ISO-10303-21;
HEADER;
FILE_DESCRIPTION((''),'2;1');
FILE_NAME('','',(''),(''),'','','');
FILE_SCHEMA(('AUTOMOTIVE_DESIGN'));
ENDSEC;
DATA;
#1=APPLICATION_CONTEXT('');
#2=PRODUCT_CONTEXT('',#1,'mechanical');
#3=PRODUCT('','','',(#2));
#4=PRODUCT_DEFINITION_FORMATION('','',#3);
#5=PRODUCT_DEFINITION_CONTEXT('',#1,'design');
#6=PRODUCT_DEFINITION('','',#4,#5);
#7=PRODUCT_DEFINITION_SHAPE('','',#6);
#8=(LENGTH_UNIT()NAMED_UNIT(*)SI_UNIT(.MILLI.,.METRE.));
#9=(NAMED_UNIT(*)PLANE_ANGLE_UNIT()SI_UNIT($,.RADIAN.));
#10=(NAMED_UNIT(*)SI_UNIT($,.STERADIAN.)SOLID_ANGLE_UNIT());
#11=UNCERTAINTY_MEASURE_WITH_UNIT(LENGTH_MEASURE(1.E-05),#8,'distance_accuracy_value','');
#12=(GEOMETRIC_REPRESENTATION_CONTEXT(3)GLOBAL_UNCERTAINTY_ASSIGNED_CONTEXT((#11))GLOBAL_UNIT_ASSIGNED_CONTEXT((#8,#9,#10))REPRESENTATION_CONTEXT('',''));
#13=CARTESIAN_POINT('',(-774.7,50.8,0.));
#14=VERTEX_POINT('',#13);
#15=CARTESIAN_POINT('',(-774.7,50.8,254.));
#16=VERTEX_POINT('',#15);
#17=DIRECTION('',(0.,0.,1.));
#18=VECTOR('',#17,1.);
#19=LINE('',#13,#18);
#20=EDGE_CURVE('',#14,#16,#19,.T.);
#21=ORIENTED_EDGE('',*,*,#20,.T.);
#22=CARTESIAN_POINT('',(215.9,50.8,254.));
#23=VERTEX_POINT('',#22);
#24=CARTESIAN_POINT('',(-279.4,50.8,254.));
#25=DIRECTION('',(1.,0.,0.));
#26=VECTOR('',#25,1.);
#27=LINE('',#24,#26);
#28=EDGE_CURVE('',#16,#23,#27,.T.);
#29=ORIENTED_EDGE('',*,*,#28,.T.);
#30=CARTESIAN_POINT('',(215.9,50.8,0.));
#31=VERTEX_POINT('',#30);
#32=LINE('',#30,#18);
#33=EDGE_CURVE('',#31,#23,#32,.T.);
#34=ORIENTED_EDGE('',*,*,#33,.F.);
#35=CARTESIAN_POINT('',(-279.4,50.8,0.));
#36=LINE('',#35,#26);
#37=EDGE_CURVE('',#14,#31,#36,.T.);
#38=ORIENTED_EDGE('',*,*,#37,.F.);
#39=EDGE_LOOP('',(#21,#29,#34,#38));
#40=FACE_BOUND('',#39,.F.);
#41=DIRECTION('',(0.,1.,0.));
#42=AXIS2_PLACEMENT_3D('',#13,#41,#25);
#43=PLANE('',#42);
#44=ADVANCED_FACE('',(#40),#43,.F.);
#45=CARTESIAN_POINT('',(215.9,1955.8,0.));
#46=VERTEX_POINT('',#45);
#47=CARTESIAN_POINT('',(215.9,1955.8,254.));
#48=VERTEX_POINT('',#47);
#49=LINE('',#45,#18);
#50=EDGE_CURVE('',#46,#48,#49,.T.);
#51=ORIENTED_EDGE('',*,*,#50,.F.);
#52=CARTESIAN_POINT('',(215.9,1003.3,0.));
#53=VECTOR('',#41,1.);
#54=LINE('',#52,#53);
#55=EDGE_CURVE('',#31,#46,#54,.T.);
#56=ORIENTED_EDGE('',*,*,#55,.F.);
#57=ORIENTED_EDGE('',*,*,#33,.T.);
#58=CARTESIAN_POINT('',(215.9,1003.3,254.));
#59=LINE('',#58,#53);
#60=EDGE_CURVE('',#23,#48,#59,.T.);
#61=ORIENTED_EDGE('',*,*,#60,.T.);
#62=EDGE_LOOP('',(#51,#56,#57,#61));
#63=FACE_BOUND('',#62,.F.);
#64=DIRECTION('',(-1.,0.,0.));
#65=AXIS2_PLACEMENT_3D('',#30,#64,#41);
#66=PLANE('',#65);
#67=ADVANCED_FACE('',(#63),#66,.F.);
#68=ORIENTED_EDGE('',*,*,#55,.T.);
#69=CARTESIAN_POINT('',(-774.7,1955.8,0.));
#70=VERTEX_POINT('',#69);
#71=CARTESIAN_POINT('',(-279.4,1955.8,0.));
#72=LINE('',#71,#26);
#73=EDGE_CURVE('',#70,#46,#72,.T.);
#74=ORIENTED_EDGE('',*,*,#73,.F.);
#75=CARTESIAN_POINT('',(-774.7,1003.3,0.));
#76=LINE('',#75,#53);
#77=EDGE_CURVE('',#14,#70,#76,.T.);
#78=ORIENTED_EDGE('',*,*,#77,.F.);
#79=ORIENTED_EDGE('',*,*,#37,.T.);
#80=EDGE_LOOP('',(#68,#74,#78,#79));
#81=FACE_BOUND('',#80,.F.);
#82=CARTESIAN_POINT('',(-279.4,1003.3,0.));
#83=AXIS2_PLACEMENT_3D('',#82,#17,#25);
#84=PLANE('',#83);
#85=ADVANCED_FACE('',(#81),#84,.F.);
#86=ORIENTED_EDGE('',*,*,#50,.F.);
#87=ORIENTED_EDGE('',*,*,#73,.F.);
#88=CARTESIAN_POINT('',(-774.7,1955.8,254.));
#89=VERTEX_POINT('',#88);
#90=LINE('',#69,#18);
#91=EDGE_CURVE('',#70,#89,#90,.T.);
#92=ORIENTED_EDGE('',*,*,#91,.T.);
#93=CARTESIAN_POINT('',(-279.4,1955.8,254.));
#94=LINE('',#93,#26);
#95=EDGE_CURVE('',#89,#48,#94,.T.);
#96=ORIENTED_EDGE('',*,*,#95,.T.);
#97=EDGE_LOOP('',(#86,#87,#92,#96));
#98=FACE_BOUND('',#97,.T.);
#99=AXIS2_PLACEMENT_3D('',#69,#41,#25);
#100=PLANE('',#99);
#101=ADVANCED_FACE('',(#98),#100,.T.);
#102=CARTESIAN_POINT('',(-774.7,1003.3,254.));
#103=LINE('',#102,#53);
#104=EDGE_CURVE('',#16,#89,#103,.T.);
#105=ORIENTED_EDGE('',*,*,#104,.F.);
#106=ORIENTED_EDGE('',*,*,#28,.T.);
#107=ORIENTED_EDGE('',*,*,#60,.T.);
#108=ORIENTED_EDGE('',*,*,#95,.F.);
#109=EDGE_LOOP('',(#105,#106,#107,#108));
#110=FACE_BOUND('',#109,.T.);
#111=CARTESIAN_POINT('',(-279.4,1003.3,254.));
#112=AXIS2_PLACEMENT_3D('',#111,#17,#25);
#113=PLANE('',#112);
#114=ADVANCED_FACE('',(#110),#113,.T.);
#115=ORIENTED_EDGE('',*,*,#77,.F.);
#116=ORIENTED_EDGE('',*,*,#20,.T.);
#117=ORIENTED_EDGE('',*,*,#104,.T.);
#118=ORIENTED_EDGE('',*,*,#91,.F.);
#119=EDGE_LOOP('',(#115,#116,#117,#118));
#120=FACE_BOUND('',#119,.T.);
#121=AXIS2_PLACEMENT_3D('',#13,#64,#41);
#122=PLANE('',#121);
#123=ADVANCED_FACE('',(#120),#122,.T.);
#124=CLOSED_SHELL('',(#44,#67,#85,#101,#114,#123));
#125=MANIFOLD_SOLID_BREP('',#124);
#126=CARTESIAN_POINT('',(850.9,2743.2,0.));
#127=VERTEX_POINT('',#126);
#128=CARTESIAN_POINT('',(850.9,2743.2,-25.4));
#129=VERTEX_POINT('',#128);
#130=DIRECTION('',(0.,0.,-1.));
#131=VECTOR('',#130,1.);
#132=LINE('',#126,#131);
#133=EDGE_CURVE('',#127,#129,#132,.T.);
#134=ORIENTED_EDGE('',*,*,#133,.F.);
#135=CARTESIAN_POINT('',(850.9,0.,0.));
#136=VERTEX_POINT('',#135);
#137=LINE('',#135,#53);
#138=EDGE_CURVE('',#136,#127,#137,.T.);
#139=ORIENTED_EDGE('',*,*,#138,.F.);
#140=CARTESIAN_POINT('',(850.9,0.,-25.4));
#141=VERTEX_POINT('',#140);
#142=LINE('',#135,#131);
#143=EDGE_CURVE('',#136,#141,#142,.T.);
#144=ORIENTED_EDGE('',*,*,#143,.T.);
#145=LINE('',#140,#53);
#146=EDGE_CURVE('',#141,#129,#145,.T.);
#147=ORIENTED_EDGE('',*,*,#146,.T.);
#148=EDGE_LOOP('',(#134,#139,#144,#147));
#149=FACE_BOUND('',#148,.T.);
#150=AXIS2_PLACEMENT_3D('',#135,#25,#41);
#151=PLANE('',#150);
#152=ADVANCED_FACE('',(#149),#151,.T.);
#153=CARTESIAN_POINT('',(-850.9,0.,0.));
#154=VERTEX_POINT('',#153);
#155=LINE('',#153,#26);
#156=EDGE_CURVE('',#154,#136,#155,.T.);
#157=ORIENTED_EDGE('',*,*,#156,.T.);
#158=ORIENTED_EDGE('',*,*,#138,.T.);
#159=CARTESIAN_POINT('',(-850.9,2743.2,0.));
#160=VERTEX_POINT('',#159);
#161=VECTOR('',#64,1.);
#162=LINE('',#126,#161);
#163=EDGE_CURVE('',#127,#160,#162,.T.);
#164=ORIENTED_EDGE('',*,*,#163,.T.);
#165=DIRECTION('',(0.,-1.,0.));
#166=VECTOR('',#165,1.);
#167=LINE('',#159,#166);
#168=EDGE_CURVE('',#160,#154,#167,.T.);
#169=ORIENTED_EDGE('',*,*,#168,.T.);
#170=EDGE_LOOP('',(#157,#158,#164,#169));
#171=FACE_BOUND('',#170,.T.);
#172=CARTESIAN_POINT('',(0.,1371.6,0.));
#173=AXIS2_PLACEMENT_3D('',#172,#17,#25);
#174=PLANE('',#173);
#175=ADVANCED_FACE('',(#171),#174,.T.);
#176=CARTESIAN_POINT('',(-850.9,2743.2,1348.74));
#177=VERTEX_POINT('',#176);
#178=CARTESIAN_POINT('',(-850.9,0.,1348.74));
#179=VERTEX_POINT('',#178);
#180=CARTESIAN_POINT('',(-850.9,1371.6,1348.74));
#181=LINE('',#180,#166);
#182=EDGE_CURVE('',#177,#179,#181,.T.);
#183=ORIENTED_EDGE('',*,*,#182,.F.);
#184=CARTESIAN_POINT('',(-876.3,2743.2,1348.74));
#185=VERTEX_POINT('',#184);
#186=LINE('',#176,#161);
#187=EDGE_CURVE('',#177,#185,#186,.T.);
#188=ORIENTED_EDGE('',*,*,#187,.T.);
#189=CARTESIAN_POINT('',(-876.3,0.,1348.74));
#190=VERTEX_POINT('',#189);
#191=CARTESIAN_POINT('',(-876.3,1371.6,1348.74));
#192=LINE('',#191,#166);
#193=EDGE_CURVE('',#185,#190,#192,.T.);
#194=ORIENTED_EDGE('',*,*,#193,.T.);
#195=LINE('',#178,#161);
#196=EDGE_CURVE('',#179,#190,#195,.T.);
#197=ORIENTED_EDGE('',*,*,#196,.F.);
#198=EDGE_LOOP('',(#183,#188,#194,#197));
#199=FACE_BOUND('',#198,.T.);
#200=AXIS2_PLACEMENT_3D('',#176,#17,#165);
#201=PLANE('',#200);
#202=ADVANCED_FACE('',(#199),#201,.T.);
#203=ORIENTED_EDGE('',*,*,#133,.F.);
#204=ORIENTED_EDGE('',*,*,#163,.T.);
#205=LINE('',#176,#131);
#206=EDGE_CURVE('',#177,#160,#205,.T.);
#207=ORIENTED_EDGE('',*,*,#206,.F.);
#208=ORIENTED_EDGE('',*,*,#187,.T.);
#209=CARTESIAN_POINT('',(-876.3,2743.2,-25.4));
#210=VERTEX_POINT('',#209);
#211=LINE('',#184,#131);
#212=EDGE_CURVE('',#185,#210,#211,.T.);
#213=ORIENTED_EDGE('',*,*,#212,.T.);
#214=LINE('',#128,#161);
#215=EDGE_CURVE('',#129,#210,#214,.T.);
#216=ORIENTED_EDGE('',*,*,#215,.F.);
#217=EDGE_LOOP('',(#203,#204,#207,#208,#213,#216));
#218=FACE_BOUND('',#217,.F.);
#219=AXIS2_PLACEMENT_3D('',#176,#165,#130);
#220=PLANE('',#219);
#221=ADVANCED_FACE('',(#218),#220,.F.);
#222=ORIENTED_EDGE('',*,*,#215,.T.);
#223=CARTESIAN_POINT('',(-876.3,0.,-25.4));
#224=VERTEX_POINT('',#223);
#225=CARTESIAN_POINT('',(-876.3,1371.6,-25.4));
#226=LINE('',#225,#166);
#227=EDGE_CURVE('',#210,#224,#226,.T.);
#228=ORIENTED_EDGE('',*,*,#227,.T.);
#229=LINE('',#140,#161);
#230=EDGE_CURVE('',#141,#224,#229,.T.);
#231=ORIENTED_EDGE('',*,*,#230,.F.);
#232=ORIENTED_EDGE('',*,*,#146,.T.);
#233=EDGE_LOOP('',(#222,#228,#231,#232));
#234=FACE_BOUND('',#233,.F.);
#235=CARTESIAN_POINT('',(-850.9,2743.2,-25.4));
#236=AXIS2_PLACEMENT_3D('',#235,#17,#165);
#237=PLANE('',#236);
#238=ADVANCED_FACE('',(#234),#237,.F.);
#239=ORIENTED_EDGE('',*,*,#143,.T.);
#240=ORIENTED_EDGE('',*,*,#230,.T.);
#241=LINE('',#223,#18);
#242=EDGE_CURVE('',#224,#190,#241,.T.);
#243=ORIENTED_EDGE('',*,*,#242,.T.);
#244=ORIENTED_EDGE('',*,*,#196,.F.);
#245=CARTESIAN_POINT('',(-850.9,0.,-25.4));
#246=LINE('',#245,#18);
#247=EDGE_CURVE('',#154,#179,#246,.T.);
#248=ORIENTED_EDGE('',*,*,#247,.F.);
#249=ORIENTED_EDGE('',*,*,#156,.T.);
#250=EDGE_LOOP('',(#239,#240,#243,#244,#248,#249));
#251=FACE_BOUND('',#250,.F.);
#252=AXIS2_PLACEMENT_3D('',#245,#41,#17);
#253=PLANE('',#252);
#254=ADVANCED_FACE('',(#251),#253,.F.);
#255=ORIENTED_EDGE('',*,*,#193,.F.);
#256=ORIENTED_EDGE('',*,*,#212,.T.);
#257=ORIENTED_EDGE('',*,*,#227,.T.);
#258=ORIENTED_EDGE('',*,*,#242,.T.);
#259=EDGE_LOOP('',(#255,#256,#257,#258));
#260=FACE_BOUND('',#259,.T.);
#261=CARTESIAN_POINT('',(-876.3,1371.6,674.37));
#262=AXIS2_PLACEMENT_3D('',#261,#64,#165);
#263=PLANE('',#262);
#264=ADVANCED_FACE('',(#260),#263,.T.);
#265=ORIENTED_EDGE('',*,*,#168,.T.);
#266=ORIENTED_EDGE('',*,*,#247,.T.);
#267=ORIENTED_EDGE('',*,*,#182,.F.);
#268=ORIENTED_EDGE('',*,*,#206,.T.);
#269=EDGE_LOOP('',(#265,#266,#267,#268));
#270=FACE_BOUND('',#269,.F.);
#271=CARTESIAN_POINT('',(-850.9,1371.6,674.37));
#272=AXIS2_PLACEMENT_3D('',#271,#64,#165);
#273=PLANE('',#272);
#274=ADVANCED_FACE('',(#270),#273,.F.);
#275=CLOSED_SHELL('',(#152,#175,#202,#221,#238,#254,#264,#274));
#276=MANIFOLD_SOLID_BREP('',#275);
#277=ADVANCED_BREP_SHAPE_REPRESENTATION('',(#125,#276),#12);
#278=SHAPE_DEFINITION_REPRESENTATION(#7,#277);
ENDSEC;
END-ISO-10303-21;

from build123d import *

# Parameters (mm, degrees)
F1_DEPTH = 25.4
F2_W     = 2743.2
F2_H     = 1348.74
F2_H_2   = 25.4
F3_DEPTH = 25.4
F4_W     = 990.6
F4_H     = 1905
F5_DEPTH = 254


with BuildPart() as f1:
    # F0 (on Top) → F1 (new body)
    with BuildSketch(Plane.XY):
        Polygon((-850.9, 2743.2), (-850.9, 0), (0, 0), (850.9, 0), (850.9, 2743.2), (0, 2743.2), align=None)
    extrude(amount=-F1_DEPTH)

    # F2 (on face) → F3 (join)
    with BuildSketch(Plane(origin=(-850.9, 0, 0), x_dir=(0, -1, 0), z_dir=(-1, 0, 0))):
        with Locations((-1371.6, 674.37)):
            Rectangle(F2_W, F2_H)
        with Locations((-1371.6, -12.7)):
            Rectangle(F2_W, F2_H_2)
    extrude(amount=F3_DEPTH)


with BuildPart() as f5:
    # F4 (on face) → F5 (new body)
    with BuildSketch(Plane.XY):
        with Locations((-279.4, 1003.3)):
            Rectangle(F4_W, F4_H)
    extrude(amount=F5_DEPTH)


solid = Compound([f1.part, f5.part])
